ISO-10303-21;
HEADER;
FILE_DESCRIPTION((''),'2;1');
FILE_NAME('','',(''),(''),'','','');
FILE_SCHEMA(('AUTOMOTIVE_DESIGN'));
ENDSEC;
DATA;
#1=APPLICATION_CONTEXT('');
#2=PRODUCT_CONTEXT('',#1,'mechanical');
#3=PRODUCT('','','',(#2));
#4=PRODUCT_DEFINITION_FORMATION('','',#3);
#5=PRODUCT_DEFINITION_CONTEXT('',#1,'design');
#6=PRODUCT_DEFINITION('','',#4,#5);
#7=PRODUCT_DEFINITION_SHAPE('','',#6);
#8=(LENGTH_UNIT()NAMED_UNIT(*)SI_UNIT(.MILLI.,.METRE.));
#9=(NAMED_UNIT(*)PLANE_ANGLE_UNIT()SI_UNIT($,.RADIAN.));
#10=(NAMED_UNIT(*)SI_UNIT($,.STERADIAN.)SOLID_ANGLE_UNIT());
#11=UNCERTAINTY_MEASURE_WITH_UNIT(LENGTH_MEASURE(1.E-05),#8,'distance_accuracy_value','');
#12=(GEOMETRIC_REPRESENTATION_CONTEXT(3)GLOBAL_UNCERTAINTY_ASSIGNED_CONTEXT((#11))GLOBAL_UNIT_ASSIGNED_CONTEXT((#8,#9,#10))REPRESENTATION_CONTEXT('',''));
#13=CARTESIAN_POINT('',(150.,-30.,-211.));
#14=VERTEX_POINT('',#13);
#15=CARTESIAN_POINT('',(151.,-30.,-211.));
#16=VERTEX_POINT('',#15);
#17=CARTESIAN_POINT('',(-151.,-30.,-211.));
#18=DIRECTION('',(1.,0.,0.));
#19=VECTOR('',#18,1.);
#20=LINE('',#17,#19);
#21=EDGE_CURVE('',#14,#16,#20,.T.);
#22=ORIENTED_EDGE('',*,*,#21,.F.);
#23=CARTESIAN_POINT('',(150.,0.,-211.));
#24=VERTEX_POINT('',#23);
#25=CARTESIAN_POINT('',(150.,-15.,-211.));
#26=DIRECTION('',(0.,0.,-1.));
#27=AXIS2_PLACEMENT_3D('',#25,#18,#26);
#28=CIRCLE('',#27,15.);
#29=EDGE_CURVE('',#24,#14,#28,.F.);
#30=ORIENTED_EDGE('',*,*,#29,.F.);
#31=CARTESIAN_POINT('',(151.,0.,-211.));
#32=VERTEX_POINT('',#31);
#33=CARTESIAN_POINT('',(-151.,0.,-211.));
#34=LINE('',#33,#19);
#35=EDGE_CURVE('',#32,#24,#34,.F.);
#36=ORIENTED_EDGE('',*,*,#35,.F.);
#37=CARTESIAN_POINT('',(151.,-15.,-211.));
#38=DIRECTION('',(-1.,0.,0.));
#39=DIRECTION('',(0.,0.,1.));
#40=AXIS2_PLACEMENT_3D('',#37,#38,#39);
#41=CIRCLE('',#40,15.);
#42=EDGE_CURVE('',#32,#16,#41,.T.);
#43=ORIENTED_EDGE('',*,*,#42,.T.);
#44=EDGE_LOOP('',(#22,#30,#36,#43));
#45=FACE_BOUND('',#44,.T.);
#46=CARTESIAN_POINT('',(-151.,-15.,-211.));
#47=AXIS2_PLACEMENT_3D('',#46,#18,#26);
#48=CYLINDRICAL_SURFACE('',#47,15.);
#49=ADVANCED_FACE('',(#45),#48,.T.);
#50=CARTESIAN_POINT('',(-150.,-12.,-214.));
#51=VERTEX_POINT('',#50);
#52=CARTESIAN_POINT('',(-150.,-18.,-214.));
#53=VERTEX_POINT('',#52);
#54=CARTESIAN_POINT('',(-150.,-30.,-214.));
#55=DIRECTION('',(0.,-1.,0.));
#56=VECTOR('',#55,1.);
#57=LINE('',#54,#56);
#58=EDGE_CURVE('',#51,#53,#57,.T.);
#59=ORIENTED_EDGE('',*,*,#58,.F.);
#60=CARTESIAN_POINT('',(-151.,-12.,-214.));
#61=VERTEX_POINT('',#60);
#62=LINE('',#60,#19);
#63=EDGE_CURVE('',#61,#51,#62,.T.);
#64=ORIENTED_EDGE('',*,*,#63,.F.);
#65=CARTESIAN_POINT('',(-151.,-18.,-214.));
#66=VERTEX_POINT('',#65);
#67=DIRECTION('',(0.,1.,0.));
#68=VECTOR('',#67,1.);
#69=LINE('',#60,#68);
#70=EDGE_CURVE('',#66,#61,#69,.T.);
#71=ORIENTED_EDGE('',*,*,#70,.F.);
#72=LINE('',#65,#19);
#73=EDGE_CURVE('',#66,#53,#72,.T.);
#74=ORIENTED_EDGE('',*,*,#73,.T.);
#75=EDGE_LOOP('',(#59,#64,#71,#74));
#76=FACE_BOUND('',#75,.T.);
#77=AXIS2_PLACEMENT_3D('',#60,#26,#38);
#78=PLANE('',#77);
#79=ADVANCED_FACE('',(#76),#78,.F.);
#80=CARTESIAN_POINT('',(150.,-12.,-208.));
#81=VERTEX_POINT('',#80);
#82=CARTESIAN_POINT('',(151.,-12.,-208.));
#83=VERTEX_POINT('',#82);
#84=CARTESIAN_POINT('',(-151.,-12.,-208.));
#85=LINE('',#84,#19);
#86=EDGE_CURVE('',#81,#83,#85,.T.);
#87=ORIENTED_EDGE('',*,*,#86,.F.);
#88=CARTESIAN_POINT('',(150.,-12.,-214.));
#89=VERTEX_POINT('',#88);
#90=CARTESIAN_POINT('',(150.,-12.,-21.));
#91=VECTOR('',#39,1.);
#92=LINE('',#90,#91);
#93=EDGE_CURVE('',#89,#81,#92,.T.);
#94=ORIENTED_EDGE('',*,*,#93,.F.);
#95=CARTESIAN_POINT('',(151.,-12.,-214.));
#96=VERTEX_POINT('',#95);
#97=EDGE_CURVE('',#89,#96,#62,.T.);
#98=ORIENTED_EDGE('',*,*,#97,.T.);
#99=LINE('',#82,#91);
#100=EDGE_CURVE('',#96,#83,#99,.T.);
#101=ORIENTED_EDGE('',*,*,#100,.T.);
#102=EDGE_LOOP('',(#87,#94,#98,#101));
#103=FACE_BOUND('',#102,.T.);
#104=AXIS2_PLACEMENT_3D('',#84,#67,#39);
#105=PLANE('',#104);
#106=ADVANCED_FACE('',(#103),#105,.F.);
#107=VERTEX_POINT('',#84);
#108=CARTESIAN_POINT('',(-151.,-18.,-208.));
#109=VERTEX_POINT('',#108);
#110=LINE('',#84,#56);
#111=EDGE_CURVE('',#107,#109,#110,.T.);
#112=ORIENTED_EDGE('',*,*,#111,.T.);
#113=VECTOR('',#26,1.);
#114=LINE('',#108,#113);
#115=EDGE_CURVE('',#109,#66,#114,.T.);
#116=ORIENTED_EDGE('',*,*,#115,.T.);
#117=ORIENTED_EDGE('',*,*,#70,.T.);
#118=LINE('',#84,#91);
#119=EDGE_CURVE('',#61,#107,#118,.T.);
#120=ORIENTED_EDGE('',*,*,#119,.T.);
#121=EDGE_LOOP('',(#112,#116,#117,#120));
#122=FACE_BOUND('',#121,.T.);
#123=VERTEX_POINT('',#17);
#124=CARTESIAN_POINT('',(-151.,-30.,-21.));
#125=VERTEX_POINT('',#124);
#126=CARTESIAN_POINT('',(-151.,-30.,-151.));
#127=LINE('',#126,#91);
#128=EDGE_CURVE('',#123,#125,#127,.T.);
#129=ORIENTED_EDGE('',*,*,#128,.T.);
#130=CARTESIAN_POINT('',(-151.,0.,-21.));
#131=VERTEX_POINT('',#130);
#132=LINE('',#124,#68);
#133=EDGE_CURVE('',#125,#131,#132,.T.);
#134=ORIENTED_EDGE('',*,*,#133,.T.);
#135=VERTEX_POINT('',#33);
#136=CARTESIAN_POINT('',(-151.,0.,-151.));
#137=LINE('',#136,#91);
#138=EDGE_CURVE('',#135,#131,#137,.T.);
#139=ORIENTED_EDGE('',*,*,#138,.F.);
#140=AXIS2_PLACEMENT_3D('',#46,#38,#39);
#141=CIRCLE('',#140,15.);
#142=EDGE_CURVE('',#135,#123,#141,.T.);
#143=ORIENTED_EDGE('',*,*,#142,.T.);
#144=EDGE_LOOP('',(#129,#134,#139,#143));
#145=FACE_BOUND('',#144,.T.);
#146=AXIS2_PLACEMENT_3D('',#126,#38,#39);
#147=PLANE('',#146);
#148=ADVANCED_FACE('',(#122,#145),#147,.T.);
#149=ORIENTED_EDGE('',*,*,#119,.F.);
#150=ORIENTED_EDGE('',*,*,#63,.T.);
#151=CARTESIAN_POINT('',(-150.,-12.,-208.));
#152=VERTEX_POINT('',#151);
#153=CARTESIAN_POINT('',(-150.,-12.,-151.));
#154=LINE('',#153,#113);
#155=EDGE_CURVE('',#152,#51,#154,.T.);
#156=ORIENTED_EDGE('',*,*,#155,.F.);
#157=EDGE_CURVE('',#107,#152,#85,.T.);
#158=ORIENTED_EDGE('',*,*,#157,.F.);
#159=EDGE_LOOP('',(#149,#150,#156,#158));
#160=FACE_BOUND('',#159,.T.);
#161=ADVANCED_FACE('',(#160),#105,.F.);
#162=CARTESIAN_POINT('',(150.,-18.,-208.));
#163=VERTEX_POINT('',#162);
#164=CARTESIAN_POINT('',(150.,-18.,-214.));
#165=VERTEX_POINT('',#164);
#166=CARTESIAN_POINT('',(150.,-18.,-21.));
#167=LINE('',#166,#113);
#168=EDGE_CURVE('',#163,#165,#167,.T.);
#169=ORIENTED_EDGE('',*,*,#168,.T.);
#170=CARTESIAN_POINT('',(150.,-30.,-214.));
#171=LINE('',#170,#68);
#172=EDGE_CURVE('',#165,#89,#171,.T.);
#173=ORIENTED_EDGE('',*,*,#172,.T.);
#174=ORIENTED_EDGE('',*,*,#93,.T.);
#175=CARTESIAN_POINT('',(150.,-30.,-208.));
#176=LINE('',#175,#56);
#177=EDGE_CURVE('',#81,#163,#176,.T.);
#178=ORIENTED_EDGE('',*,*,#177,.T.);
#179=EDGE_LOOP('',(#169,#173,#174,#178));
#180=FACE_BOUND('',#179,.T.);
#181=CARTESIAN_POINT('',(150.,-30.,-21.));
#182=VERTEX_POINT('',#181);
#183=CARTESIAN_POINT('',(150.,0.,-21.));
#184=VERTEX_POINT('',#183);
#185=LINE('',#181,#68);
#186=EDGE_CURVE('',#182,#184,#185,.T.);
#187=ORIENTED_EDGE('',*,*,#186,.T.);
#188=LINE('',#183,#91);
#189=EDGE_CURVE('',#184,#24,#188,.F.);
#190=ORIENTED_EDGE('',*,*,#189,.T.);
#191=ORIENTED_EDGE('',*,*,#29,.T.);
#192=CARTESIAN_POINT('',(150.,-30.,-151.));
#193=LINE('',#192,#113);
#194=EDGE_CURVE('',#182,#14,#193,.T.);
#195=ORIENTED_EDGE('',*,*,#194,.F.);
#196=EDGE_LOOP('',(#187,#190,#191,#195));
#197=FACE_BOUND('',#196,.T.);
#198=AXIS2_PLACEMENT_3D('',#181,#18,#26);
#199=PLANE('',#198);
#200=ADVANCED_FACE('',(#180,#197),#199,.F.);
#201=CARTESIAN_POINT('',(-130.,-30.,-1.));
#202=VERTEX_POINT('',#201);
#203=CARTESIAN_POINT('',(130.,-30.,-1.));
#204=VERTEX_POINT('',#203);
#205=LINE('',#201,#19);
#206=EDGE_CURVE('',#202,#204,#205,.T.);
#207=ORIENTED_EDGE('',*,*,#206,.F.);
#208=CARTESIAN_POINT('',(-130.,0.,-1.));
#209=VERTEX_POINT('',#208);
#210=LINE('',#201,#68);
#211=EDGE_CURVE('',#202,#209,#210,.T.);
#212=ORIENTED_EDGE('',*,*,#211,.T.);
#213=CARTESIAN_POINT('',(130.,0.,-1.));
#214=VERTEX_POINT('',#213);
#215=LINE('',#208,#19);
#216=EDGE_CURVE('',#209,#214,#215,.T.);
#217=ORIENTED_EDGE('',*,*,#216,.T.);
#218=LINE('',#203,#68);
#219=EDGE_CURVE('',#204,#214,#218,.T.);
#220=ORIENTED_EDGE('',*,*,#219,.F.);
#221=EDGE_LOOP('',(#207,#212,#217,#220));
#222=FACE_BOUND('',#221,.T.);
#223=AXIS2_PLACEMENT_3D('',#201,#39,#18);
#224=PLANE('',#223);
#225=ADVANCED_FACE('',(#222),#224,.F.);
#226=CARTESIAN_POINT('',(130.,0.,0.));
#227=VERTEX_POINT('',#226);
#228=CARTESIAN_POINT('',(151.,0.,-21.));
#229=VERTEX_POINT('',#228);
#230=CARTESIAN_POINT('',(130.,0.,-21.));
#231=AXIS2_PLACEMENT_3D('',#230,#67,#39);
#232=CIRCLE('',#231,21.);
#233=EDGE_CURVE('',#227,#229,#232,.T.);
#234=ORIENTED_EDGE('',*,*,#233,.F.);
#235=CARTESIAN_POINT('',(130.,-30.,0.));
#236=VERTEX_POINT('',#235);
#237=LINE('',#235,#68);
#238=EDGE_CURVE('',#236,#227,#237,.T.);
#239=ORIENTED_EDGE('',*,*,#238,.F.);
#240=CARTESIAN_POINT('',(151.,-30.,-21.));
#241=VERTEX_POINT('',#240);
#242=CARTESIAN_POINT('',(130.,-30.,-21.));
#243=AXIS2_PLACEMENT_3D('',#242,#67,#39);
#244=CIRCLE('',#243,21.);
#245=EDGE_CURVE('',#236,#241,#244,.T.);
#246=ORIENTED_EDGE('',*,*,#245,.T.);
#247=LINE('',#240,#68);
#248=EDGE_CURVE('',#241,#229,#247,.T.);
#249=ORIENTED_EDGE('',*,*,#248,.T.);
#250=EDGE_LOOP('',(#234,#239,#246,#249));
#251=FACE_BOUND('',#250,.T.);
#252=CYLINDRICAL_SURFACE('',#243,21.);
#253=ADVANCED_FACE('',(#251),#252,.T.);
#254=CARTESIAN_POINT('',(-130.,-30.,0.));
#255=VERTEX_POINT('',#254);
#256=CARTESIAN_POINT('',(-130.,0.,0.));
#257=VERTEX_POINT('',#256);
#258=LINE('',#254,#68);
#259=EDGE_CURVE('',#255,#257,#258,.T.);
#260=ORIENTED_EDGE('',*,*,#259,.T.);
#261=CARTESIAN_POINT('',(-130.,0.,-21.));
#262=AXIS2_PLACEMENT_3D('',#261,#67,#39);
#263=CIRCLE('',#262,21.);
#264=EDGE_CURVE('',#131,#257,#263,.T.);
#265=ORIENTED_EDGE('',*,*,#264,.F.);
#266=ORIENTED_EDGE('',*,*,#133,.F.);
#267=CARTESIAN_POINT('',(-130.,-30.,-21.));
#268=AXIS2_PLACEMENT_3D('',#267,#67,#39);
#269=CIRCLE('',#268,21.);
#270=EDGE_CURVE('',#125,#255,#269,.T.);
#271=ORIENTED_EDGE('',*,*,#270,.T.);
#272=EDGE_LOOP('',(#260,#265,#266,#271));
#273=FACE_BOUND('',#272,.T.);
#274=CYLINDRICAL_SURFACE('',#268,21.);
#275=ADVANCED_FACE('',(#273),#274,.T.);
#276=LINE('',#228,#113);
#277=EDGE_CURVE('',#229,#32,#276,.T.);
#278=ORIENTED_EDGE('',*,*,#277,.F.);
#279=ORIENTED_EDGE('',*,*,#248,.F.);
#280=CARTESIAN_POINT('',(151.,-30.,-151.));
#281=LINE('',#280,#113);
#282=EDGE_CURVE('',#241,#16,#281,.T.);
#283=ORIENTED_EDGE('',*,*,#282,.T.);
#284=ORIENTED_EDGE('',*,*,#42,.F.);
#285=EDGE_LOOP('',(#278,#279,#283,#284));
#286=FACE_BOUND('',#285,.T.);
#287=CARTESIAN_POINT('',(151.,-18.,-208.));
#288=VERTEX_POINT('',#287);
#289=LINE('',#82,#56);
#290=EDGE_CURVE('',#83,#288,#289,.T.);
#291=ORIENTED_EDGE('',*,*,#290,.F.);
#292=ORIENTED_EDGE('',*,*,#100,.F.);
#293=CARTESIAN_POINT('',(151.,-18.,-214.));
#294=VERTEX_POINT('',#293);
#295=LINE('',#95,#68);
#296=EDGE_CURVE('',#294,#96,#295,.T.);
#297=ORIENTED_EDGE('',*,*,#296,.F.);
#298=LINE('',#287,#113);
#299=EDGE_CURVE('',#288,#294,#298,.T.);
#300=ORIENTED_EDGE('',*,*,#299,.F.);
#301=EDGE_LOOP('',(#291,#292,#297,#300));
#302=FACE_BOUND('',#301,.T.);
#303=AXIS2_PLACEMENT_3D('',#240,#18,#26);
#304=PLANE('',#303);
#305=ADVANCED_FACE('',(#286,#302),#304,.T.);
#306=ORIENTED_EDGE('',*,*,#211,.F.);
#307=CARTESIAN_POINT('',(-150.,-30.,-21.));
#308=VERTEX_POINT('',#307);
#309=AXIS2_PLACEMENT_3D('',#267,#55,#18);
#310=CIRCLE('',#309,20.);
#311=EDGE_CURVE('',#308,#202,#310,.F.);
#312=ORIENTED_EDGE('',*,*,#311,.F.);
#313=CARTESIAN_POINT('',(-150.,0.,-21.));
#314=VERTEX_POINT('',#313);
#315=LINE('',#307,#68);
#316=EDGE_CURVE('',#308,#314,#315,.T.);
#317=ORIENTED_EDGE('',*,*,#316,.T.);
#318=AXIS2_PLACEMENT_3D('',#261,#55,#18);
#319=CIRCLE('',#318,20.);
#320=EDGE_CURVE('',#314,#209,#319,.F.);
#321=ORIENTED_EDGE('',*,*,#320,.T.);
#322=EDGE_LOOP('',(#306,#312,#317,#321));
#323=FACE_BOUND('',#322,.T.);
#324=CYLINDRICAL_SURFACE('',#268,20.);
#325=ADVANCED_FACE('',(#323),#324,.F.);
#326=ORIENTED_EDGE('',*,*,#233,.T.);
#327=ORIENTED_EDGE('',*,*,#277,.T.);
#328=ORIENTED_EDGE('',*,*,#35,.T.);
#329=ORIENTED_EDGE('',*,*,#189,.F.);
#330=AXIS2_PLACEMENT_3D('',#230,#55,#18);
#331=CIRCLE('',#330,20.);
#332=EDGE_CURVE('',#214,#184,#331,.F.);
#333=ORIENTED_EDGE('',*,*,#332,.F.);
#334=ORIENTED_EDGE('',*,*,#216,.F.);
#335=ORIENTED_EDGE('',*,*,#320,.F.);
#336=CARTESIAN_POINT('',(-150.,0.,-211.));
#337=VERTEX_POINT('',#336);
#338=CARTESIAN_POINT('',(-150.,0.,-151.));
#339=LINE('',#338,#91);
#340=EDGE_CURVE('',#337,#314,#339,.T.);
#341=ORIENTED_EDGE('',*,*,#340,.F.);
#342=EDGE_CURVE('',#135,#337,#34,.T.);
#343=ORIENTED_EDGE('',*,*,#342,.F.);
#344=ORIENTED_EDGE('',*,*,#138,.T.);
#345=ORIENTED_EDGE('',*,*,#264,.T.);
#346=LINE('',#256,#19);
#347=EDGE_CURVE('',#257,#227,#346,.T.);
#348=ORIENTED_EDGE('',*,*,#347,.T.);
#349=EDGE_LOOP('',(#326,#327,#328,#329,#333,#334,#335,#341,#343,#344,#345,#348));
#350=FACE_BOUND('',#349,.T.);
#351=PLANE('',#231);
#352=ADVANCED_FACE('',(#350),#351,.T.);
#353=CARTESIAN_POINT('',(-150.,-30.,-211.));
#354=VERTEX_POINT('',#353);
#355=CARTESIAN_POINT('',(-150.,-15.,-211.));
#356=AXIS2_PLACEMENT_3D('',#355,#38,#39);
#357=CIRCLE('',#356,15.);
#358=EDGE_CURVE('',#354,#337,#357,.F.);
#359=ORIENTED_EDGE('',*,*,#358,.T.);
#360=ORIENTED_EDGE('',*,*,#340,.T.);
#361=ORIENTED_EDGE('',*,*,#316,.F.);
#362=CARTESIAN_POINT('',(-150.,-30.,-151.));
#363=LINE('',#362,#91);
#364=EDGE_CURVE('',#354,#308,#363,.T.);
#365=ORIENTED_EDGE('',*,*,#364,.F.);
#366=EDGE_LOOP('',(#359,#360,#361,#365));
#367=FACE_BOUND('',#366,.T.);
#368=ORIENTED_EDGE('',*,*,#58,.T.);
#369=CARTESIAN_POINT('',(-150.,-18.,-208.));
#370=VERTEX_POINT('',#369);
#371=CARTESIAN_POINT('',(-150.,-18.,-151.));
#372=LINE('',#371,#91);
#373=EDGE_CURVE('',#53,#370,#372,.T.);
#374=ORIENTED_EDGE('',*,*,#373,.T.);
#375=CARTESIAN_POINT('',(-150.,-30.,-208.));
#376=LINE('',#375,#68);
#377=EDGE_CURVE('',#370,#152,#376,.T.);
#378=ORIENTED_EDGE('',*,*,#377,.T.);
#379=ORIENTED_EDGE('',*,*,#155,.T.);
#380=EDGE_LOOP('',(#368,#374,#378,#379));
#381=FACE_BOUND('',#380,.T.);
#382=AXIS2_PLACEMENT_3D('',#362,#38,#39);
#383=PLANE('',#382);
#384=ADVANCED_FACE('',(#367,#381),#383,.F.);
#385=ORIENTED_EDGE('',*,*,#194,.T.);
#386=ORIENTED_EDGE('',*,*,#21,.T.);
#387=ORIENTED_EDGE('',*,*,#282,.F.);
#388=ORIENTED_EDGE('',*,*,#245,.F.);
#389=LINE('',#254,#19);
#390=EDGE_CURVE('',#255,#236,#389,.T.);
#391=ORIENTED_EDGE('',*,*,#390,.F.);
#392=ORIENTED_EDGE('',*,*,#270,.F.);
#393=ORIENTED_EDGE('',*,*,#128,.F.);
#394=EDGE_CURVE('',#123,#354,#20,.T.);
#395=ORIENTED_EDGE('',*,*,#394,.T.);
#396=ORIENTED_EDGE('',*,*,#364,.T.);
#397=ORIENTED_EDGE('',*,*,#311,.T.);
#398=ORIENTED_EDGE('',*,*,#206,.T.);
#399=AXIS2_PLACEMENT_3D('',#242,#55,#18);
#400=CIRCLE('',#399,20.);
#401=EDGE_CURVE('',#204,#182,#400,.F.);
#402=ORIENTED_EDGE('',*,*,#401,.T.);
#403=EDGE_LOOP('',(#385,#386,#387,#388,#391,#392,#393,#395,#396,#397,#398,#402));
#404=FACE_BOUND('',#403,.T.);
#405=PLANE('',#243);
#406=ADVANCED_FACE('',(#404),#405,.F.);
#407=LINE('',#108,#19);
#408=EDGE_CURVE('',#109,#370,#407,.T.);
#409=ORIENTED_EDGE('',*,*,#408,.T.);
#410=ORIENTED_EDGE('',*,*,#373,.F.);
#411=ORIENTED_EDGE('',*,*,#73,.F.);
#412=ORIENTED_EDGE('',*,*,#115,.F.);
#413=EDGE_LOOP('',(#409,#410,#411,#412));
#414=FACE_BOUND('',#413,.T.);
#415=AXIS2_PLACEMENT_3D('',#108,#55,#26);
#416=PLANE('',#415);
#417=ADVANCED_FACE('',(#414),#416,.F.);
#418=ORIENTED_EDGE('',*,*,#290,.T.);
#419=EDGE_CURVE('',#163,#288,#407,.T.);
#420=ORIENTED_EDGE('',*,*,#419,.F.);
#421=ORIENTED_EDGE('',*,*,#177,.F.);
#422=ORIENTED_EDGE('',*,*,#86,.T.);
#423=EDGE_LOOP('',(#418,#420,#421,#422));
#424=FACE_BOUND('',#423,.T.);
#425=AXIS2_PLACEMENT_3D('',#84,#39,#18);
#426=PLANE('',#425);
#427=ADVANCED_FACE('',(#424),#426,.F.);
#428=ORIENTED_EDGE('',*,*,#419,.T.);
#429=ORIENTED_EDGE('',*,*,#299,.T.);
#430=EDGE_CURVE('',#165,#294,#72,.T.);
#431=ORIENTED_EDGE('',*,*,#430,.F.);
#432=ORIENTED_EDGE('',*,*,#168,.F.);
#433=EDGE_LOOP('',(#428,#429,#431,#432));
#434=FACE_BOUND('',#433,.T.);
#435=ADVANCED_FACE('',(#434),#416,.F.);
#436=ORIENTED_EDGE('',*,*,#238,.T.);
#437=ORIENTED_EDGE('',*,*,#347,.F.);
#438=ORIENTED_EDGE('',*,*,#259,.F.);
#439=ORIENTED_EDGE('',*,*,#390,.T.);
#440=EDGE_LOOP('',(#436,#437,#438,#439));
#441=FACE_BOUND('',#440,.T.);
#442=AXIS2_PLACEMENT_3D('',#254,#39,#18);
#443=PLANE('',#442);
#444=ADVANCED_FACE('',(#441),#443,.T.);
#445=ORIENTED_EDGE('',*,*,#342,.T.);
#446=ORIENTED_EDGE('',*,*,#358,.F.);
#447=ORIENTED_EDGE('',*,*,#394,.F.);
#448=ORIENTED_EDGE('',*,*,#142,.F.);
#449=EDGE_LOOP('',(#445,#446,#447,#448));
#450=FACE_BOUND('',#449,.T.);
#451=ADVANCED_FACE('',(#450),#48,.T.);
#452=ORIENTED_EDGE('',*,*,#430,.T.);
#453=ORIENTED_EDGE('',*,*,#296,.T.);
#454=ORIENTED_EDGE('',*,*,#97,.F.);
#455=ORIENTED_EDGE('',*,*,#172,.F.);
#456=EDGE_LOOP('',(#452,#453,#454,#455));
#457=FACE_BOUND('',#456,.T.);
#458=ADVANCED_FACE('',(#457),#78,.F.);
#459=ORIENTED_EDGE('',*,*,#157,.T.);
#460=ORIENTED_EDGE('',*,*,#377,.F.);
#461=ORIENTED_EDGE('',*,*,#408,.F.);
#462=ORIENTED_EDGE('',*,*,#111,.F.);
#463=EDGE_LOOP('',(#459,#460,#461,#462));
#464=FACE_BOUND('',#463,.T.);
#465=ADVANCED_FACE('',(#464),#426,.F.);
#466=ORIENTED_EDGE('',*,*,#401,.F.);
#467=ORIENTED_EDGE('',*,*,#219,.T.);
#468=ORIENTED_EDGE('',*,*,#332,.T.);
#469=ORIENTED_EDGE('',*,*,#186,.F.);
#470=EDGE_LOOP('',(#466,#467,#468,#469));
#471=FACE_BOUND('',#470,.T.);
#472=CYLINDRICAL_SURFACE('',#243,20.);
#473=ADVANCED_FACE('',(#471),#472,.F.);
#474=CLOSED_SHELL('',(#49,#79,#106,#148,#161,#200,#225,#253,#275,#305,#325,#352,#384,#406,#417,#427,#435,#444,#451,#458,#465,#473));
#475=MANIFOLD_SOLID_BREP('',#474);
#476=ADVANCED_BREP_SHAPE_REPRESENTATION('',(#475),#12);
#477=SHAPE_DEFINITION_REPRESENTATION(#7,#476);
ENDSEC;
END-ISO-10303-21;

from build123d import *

# Parameters (mm, degrees)
LINEAR_AUSTRAGEN_D_NN1_DEPTH    = 30
SCHNITT_LINEAR_AUSTRAGEN1_DEPTH = 303
SKIZZE5_W                       = 6
SKIZZE5_H                       = 6
SCHNITT_LINEAR_AUSTRAGEN2_DEPTH = 303


with BuildPart() as part:
    # Skizze3 → Linear-Austragen-Dünn1 (new body)
    with BuildSketch(Plane.XZ):
        with BuildLine():
            Line((-151, -226), (-151, -151))
            Line((-151, -151), (-151, -21))
            ThreePointArc((-151, -21), (-144.849242405, -6.150757595), (-130, 0))
            Line((-130, 0), (130, 0))
            ThreePointArc((130, 0), (144.849242405, -6.150757595), (151, -21))
            Line((151, -21), (151, -151))
            Line((151, -151), (151, -226))
            Line((151, -226), (150, -226))
            Line((150, -226), (150, -151))
            Line((150, -151), (150, -21))
            ThreePointArc((150, -21), (144.142135624, -6.857864376), (130, -1))
            Line((130, -1), (-130, -1))
            ThreePointArc((-130, -1), (-144.142135624, -6.857864376), (-150, -21))
            Line((-150, -21), (-150, -151))
            Line((-150, -151), (-150, -226))
            Line((-150, -226), (-151, -226))
        make_face()
    extrude(amount=LINEAR_AUSTRAGEN_D_NN1_DEPTH)

    # Skizze4 → Schnitt-Linear austragen1 (cut, through all)
    with BuildSketch(Plane(origin=(151, 0, 0), x_dir=(0, 0, -1), z_dir=(1, 0, 0))):
        with BuildLine():
            Line((236.953367606, 0), (211, 0))
            ThreePointArc((211, 0), (226, -15), (211, -30))
            Line((211, -30), (236.953367606, -30))
            Line((236.953367606, -30), (236.953367606, 0))
        make_face()
    extrude(amount=-SCHNITT_LINEAR_AUSTRAGEN1_DEPTH, mode=Mode.SUBTRACT)

    # Skizze5 → Schnitt-Linear austragen2 (cut, through all)
    with BuildSketch(Plane(origin=(151, 0, 0), x_dir=(0, 0, -1), z_dir=(1, 0, 0))):
        with Locations((211, -15)):
            Rectangle(SKIZZE5_W, SKIZZE5_H)
    extrude(amount=-SCHNITT_LINEAR_AUSTRAGEN2_DEPTH, mode=Mode.SUBTRACT)


solid = part.part
